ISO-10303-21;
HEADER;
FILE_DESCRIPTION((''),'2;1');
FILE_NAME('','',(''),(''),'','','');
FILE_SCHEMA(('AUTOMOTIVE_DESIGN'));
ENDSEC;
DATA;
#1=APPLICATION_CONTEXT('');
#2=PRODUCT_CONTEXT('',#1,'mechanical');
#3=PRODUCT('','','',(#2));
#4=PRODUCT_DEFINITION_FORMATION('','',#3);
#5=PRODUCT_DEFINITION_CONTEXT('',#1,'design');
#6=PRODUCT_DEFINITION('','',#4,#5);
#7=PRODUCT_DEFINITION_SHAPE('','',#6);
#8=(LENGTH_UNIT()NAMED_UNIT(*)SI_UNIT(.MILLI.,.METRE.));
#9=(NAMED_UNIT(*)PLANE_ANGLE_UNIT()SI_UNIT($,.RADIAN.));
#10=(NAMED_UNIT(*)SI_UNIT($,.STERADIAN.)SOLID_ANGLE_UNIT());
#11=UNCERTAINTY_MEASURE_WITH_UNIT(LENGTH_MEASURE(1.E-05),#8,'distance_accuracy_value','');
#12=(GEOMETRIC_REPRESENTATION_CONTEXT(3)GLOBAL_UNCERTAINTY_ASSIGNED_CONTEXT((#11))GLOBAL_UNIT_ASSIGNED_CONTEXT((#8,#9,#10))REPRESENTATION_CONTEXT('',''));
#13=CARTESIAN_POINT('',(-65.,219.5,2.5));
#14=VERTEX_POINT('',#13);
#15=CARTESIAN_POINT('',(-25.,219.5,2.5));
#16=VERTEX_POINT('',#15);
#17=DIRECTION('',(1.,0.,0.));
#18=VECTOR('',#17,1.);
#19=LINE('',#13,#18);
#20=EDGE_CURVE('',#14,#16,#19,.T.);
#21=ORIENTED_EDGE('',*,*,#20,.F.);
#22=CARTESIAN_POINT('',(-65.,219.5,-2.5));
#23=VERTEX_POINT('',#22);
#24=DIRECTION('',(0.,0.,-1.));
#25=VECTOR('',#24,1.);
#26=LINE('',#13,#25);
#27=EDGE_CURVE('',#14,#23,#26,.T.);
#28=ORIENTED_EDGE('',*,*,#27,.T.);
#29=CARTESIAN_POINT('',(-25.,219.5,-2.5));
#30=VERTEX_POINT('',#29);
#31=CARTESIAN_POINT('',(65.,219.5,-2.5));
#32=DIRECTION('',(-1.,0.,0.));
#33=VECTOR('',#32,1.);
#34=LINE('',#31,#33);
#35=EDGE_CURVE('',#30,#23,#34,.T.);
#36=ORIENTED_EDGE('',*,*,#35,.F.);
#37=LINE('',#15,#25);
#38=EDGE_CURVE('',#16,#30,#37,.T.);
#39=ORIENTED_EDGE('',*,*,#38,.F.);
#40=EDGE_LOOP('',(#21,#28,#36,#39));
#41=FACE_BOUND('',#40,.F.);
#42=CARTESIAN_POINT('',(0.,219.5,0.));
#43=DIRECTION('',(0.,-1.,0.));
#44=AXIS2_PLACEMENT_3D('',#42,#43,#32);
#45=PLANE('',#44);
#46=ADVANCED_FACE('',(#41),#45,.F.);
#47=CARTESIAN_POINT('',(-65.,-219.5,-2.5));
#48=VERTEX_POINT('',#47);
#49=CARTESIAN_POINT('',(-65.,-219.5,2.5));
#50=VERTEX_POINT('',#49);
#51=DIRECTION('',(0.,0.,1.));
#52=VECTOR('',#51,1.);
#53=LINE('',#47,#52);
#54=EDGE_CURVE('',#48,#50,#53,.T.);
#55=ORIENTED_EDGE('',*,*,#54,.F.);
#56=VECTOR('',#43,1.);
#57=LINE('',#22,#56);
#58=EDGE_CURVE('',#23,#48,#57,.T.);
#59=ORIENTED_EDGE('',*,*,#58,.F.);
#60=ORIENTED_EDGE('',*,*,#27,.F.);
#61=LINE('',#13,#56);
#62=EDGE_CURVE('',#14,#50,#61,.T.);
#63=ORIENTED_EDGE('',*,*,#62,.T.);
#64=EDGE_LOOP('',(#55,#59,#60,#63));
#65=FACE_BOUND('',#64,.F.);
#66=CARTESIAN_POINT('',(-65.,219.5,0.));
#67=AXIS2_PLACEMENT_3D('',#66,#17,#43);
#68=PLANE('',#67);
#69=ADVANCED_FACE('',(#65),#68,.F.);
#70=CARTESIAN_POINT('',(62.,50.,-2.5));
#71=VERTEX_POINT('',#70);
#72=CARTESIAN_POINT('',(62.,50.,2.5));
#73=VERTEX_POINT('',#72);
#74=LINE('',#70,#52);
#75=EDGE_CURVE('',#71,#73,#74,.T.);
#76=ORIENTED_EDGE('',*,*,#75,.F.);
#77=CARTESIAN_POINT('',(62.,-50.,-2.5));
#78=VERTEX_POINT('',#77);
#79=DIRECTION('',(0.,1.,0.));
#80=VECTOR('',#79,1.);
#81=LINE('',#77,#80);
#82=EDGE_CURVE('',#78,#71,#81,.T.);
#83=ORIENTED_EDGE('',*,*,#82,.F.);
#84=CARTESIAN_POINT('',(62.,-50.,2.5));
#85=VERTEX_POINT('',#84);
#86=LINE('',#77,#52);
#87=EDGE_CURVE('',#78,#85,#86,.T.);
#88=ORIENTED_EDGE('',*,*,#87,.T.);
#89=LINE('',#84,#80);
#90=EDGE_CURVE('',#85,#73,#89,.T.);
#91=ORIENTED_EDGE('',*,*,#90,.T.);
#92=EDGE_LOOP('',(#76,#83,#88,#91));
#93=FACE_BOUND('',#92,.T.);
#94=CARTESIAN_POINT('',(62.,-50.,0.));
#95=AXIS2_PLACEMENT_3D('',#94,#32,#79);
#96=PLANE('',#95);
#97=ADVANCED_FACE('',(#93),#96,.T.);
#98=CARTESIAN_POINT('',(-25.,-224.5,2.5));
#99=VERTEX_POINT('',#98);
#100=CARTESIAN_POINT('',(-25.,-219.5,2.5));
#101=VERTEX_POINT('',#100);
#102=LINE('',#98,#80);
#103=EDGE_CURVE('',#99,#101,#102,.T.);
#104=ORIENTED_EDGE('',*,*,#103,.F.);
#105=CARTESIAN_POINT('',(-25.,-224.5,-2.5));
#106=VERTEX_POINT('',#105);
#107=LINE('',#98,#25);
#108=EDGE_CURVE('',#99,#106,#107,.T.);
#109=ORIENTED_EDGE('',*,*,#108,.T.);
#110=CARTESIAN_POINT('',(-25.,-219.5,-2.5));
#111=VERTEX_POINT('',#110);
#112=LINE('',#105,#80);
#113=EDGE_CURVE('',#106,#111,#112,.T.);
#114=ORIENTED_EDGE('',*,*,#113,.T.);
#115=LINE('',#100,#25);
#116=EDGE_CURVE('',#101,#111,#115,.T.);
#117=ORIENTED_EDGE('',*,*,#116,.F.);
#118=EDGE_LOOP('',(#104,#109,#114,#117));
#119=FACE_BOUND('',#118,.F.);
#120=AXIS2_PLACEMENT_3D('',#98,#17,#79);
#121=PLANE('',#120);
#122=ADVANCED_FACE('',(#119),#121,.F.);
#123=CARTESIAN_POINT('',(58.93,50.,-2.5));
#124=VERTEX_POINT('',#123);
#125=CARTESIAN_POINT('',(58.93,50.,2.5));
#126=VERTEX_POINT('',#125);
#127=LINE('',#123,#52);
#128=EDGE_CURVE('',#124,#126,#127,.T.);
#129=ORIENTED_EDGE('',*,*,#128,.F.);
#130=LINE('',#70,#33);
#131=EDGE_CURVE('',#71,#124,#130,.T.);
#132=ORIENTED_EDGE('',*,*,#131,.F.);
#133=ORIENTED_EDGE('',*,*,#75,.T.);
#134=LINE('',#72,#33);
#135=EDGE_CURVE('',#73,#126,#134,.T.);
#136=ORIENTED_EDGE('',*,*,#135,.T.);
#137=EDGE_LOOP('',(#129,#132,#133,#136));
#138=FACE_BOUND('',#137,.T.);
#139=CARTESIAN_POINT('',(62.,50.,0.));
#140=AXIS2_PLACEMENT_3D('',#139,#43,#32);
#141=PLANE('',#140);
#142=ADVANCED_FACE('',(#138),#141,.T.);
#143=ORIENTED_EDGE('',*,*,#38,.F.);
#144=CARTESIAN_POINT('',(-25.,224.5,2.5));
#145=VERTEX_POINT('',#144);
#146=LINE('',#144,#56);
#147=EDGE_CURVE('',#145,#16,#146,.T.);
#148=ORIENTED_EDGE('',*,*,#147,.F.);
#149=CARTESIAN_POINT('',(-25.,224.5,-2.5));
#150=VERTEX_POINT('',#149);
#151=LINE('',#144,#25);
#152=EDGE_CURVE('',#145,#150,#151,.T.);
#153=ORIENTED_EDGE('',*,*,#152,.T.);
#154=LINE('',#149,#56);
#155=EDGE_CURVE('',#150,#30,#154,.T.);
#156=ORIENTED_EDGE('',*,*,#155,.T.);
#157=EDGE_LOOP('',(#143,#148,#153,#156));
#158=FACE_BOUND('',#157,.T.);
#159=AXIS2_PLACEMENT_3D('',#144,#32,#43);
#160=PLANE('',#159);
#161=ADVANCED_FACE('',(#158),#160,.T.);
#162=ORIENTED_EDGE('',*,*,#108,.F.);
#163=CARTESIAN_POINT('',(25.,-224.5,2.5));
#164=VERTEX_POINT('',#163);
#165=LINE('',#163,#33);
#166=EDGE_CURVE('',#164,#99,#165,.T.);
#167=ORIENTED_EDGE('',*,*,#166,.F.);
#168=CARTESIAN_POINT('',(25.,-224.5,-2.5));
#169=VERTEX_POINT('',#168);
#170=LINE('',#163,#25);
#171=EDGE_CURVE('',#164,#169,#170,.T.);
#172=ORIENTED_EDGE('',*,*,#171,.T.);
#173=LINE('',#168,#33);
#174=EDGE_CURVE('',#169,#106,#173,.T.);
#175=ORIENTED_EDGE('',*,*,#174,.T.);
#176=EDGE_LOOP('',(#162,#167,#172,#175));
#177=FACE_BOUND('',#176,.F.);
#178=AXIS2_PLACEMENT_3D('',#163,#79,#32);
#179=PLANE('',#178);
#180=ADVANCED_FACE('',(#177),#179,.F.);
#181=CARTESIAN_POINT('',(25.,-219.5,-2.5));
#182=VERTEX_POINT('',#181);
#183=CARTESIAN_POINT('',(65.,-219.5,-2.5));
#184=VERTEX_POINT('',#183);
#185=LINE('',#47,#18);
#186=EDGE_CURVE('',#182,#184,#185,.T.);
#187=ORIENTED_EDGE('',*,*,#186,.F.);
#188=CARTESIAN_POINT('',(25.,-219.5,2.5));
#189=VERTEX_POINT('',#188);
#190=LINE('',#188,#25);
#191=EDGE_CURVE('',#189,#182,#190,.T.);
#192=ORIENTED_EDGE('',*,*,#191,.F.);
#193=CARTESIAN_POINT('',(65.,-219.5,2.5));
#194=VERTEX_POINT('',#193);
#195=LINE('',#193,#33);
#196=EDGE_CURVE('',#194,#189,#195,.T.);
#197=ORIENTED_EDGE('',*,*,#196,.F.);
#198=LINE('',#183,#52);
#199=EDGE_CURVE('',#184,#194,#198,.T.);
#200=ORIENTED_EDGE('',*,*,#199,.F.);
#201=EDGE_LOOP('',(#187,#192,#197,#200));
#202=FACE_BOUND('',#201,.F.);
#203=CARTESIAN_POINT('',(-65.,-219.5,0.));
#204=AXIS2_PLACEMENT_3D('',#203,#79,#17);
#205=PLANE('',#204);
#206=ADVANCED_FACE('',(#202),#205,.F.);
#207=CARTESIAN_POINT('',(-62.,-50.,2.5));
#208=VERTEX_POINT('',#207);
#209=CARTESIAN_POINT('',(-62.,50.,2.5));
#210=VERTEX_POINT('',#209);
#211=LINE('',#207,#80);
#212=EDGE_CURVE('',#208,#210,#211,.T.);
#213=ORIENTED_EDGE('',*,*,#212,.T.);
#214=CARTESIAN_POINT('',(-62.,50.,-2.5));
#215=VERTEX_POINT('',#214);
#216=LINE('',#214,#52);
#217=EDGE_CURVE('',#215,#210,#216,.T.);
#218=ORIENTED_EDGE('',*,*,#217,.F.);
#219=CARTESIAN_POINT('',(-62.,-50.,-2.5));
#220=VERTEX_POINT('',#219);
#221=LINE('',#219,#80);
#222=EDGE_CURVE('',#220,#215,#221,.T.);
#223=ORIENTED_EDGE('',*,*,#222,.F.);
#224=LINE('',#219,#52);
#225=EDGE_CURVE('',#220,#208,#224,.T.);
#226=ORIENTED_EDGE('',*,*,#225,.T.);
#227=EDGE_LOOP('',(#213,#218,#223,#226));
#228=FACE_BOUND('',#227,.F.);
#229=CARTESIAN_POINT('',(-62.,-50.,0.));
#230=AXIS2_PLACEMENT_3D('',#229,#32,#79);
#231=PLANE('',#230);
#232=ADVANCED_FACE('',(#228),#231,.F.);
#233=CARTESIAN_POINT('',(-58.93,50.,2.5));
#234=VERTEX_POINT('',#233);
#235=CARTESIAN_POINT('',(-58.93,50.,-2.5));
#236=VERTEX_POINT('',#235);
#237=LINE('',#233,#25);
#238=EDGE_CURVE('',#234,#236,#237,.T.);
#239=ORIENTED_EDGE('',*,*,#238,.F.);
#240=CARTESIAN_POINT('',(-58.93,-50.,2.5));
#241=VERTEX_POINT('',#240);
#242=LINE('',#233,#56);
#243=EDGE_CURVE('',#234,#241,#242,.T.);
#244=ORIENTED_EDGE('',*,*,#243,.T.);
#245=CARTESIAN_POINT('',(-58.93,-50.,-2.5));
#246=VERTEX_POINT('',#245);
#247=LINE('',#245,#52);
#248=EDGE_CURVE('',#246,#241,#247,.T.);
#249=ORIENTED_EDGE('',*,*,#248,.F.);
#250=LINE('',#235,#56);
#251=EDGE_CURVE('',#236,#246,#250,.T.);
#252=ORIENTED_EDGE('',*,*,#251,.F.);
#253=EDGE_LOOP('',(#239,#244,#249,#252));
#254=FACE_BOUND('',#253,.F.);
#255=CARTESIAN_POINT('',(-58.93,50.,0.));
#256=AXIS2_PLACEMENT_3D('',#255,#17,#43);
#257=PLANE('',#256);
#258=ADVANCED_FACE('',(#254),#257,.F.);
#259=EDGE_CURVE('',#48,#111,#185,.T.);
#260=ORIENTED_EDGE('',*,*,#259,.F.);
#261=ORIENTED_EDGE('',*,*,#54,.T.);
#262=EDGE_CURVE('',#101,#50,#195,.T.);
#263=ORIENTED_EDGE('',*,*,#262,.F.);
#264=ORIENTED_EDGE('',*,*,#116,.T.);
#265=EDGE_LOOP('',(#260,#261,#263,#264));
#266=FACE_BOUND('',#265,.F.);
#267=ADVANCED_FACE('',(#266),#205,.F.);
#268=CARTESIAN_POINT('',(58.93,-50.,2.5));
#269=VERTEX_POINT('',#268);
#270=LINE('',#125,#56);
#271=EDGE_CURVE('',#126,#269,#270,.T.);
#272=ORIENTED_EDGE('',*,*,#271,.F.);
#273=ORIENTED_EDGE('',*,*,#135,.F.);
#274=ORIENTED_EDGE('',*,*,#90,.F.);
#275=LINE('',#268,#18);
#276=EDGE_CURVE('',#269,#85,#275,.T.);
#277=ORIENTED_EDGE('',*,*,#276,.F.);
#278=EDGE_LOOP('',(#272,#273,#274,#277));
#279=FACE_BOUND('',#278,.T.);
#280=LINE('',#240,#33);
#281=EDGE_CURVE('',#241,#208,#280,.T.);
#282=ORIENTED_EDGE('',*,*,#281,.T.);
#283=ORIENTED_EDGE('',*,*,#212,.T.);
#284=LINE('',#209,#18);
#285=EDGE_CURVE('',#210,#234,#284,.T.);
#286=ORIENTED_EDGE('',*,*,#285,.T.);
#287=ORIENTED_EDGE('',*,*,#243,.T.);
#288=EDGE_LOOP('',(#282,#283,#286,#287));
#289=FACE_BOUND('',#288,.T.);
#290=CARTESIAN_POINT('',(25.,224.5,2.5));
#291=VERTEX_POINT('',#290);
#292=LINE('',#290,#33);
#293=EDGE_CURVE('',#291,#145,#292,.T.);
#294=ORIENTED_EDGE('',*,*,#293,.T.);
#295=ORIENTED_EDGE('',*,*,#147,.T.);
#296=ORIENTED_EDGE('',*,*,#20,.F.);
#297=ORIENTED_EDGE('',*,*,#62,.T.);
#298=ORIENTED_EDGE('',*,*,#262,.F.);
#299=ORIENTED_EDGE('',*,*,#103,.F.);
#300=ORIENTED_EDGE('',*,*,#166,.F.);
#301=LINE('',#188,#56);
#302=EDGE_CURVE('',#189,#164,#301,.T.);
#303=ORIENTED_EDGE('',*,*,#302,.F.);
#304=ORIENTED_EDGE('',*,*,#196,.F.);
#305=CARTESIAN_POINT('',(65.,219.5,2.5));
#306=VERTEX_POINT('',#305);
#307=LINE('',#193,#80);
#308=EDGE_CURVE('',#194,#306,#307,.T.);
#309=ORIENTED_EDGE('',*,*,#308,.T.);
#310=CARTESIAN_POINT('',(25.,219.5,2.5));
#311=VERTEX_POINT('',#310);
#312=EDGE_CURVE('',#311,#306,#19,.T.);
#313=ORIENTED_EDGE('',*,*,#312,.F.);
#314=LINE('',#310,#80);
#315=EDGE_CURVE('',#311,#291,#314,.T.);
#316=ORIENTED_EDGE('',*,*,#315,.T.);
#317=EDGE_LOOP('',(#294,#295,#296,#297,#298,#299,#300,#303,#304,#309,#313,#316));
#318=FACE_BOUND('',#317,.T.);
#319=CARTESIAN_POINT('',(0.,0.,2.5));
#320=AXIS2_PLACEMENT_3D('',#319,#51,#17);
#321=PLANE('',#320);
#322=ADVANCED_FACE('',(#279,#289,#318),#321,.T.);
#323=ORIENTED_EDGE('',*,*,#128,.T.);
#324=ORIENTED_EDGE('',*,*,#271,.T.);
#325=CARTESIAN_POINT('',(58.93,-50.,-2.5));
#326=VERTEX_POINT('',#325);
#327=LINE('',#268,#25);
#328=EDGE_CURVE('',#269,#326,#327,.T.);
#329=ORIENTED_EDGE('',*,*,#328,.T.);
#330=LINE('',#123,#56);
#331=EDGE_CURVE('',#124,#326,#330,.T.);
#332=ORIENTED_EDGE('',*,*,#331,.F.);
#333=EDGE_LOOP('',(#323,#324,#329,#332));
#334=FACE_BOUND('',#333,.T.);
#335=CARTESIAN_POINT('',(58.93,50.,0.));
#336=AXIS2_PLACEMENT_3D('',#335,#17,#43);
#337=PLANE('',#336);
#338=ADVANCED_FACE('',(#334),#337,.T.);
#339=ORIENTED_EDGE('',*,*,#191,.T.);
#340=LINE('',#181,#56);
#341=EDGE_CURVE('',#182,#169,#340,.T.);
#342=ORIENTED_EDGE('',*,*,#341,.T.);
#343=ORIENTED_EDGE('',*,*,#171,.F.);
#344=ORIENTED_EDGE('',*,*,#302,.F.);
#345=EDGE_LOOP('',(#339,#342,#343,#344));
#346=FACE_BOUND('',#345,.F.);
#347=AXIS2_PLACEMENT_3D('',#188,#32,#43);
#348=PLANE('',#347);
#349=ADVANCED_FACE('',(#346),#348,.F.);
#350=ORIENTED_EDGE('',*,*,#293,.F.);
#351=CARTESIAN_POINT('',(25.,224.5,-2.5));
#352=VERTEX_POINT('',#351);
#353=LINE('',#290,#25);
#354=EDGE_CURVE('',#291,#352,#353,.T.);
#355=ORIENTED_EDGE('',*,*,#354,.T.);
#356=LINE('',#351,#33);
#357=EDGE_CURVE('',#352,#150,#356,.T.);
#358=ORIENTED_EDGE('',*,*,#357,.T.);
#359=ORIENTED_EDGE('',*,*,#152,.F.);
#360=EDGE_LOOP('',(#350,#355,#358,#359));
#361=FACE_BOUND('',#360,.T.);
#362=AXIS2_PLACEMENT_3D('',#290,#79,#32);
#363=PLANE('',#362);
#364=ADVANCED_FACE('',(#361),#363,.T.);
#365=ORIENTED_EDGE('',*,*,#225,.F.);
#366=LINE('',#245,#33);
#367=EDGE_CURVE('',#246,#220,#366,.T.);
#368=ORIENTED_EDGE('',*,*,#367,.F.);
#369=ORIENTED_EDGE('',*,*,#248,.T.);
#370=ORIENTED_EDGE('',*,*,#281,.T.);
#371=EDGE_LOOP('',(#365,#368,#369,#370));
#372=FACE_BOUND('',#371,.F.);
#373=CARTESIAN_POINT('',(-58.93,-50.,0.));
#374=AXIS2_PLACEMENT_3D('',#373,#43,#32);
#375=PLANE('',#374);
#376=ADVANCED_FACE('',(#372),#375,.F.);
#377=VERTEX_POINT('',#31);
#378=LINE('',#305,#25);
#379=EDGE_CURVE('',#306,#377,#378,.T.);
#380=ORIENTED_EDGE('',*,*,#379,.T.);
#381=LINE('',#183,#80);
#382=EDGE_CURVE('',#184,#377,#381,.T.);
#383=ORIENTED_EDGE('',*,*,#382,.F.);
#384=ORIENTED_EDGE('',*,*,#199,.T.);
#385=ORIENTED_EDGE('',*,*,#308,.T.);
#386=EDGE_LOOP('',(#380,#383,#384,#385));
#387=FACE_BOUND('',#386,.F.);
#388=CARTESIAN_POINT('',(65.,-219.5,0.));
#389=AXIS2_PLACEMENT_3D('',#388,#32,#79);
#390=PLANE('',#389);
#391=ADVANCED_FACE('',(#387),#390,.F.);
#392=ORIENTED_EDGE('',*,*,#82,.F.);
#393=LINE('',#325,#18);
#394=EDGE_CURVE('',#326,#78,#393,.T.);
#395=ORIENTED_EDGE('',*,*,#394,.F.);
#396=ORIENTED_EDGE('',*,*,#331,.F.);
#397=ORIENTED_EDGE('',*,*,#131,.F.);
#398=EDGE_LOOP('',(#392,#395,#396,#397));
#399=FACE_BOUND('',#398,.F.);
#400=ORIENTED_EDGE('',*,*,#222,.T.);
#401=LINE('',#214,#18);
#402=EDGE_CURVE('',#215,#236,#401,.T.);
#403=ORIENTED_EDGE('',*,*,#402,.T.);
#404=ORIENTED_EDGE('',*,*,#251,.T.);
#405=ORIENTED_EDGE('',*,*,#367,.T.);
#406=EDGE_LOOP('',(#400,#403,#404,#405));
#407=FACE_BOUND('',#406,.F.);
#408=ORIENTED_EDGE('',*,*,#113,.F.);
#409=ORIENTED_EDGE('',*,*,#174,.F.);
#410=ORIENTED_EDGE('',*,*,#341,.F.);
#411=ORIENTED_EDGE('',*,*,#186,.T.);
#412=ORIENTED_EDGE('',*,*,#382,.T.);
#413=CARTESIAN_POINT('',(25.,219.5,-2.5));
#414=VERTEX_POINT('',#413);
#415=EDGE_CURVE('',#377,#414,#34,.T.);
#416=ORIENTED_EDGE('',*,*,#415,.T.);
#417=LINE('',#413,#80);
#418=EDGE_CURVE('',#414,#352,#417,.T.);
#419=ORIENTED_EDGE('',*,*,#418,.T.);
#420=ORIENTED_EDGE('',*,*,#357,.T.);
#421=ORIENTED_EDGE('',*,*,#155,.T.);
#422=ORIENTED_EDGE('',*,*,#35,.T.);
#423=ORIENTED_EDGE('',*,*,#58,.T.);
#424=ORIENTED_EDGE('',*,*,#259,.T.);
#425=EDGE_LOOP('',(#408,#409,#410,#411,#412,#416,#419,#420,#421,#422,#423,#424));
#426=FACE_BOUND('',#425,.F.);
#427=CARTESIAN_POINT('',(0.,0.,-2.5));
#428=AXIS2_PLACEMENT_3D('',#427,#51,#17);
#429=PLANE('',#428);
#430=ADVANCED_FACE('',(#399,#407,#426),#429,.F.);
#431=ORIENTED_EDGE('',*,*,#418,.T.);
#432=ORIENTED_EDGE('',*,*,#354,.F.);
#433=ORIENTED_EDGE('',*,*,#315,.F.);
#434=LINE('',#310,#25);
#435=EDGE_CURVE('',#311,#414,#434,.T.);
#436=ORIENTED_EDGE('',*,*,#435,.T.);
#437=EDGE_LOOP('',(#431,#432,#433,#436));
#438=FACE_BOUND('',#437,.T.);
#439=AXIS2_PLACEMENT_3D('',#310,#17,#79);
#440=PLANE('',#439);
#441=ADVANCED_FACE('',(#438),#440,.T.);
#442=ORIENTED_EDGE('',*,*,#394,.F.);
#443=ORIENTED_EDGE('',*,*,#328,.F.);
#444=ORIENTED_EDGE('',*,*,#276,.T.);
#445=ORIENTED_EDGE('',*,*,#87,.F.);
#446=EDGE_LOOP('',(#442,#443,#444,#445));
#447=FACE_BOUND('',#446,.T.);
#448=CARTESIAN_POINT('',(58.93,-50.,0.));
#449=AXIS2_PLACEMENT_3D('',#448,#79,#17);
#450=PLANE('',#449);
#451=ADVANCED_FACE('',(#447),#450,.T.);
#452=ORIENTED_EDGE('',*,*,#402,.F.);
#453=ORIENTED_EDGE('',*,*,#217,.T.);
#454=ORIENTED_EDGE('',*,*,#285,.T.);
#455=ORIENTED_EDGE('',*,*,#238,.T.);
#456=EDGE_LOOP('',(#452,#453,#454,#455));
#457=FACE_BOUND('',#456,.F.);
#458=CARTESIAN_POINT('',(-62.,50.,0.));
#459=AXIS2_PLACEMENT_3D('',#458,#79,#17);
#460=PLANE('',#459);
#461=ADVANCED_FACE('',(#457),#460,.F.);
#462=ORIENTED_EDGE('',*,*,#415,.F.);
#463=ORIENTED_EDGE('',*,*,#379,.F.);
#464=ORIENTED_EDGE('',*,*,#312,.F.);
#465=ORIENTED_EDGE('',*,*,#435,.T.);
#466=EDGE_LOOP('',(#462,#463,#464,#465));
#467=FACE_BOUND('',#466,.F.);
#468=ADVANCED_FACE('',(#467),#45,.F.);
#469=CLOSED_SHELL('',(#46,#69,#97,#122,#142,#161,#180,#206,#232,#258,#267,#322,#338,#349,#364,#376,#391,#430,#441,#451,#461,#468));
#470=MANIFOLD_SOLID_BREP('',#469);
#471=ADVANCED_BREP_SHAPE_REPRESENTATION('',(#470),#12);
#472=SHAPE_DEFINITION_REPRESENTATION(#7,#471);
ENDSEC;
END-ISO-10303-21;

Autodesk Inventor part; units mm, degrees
ref_plane "YZ Plane" through (0, 0, 0) normal (1, 0, 0) x (0, 1, 0)
ref_plane "XZ Plane" through (0, 0, 0) normal (0, 1, 0) x (-1, 0, 0)
ref_plane "XY Plane" through (0, 0, 0) normal (0, 0, 1) x (1, 0, 0)
sketch "Sketch1" plane through (0, 0, 0) normal (0, 0, 1) x (1, 0, 0)
  line L0 (-65, -219.5) -> (65, -219.5)
  line L1 (65, -219.5) -> (65, 219.5)
  line L2 (65, 219.5) -> (-65, 219.5)
  line L3 (-65, 219.5) -> (-65, -219.5)
  line L4 (-65, -219.5) -> (65, 219.5) construction
  line L5 (65, -219.5) -> (-65, 219.5) construction
  line L6 (58.93, -50) -> (62, -50)
  line L7 (62, -50) -> (62, 50)
  line L8 (62, 50) -> (58.93, 50)
  line L9 (58.93, 50) -> (58.93, -50)
  line L10 (58.93, -50) -> (62, 50) construction
  line L11 (62, -50) -> (58.93, 50) construction
  line L12 (0, 219.5) -> (0, -219.5)
  line L13 (-58.93, -50) -> (-62, -50)
  line L14 (-62, -50) -> (-62, 50)
  line L15 (-62, 50) -> (-58.93, 50)
  line L16 (-58.93, 50) -> (-58.93, -50)
  line L17 (-58.93, -50) -> (-62, 50) construction
  line L18 (-62, -50) -> (-58.93, 50) construction
  point P0 (0, 0)
  point P1 (60.465, 0)
  point P2 (62, 0)
  point P3 (-60.465, 0)
  point P4 (-62, 0)
  point P5 (0, 0)
  dimension "d0" = 130
  dimension "d1" = 439
  dimension "d2" = 3.07
  dimension "d3" = 100
  dimension "d4" = 3
extrude "Extrusion1" add sketch "Sketch1" along normal mid plane 5
sketch "Sketch2" plane through (0, 0, 2.5) normal (0, 0, 1) x (1, 0, 0)
  line L0 (-25, 219.5) -> (25, 219.5)
  line L1 (25, 219.5) -> (25, 224.5)
  line L2 (25, 224.5) -> (-25, 224.5)
  line L3 (-25, 224.5) -> (-25, 219.5)
  line L4 (-58.93, -50) -> (-58.93, 50) projected
  line L5 (-58.93, 0) -> (58.93, 0)
  line L6 (58.93, -50) -> (58.93, 50) projected
  line L7 (-25, -219.5) -> (25, -219.5)
  line L8 (25, -219.5) -> (25, -224.5)
  line L9 (25, -224.5) -> (-25, -224.5)
  line L10 (-25, -224.5) -> (-25, -219.5)
  point P0 (0, 0)
  point P1 (-65, 219.5)
  point P2 (0, 224.5)
  point P3 (0, -224.5)
  dimension "d7" = 50
  dimension "d8" = 5
extrude "Extrusion2" add sketch "Sketch2" against normal blind 5
